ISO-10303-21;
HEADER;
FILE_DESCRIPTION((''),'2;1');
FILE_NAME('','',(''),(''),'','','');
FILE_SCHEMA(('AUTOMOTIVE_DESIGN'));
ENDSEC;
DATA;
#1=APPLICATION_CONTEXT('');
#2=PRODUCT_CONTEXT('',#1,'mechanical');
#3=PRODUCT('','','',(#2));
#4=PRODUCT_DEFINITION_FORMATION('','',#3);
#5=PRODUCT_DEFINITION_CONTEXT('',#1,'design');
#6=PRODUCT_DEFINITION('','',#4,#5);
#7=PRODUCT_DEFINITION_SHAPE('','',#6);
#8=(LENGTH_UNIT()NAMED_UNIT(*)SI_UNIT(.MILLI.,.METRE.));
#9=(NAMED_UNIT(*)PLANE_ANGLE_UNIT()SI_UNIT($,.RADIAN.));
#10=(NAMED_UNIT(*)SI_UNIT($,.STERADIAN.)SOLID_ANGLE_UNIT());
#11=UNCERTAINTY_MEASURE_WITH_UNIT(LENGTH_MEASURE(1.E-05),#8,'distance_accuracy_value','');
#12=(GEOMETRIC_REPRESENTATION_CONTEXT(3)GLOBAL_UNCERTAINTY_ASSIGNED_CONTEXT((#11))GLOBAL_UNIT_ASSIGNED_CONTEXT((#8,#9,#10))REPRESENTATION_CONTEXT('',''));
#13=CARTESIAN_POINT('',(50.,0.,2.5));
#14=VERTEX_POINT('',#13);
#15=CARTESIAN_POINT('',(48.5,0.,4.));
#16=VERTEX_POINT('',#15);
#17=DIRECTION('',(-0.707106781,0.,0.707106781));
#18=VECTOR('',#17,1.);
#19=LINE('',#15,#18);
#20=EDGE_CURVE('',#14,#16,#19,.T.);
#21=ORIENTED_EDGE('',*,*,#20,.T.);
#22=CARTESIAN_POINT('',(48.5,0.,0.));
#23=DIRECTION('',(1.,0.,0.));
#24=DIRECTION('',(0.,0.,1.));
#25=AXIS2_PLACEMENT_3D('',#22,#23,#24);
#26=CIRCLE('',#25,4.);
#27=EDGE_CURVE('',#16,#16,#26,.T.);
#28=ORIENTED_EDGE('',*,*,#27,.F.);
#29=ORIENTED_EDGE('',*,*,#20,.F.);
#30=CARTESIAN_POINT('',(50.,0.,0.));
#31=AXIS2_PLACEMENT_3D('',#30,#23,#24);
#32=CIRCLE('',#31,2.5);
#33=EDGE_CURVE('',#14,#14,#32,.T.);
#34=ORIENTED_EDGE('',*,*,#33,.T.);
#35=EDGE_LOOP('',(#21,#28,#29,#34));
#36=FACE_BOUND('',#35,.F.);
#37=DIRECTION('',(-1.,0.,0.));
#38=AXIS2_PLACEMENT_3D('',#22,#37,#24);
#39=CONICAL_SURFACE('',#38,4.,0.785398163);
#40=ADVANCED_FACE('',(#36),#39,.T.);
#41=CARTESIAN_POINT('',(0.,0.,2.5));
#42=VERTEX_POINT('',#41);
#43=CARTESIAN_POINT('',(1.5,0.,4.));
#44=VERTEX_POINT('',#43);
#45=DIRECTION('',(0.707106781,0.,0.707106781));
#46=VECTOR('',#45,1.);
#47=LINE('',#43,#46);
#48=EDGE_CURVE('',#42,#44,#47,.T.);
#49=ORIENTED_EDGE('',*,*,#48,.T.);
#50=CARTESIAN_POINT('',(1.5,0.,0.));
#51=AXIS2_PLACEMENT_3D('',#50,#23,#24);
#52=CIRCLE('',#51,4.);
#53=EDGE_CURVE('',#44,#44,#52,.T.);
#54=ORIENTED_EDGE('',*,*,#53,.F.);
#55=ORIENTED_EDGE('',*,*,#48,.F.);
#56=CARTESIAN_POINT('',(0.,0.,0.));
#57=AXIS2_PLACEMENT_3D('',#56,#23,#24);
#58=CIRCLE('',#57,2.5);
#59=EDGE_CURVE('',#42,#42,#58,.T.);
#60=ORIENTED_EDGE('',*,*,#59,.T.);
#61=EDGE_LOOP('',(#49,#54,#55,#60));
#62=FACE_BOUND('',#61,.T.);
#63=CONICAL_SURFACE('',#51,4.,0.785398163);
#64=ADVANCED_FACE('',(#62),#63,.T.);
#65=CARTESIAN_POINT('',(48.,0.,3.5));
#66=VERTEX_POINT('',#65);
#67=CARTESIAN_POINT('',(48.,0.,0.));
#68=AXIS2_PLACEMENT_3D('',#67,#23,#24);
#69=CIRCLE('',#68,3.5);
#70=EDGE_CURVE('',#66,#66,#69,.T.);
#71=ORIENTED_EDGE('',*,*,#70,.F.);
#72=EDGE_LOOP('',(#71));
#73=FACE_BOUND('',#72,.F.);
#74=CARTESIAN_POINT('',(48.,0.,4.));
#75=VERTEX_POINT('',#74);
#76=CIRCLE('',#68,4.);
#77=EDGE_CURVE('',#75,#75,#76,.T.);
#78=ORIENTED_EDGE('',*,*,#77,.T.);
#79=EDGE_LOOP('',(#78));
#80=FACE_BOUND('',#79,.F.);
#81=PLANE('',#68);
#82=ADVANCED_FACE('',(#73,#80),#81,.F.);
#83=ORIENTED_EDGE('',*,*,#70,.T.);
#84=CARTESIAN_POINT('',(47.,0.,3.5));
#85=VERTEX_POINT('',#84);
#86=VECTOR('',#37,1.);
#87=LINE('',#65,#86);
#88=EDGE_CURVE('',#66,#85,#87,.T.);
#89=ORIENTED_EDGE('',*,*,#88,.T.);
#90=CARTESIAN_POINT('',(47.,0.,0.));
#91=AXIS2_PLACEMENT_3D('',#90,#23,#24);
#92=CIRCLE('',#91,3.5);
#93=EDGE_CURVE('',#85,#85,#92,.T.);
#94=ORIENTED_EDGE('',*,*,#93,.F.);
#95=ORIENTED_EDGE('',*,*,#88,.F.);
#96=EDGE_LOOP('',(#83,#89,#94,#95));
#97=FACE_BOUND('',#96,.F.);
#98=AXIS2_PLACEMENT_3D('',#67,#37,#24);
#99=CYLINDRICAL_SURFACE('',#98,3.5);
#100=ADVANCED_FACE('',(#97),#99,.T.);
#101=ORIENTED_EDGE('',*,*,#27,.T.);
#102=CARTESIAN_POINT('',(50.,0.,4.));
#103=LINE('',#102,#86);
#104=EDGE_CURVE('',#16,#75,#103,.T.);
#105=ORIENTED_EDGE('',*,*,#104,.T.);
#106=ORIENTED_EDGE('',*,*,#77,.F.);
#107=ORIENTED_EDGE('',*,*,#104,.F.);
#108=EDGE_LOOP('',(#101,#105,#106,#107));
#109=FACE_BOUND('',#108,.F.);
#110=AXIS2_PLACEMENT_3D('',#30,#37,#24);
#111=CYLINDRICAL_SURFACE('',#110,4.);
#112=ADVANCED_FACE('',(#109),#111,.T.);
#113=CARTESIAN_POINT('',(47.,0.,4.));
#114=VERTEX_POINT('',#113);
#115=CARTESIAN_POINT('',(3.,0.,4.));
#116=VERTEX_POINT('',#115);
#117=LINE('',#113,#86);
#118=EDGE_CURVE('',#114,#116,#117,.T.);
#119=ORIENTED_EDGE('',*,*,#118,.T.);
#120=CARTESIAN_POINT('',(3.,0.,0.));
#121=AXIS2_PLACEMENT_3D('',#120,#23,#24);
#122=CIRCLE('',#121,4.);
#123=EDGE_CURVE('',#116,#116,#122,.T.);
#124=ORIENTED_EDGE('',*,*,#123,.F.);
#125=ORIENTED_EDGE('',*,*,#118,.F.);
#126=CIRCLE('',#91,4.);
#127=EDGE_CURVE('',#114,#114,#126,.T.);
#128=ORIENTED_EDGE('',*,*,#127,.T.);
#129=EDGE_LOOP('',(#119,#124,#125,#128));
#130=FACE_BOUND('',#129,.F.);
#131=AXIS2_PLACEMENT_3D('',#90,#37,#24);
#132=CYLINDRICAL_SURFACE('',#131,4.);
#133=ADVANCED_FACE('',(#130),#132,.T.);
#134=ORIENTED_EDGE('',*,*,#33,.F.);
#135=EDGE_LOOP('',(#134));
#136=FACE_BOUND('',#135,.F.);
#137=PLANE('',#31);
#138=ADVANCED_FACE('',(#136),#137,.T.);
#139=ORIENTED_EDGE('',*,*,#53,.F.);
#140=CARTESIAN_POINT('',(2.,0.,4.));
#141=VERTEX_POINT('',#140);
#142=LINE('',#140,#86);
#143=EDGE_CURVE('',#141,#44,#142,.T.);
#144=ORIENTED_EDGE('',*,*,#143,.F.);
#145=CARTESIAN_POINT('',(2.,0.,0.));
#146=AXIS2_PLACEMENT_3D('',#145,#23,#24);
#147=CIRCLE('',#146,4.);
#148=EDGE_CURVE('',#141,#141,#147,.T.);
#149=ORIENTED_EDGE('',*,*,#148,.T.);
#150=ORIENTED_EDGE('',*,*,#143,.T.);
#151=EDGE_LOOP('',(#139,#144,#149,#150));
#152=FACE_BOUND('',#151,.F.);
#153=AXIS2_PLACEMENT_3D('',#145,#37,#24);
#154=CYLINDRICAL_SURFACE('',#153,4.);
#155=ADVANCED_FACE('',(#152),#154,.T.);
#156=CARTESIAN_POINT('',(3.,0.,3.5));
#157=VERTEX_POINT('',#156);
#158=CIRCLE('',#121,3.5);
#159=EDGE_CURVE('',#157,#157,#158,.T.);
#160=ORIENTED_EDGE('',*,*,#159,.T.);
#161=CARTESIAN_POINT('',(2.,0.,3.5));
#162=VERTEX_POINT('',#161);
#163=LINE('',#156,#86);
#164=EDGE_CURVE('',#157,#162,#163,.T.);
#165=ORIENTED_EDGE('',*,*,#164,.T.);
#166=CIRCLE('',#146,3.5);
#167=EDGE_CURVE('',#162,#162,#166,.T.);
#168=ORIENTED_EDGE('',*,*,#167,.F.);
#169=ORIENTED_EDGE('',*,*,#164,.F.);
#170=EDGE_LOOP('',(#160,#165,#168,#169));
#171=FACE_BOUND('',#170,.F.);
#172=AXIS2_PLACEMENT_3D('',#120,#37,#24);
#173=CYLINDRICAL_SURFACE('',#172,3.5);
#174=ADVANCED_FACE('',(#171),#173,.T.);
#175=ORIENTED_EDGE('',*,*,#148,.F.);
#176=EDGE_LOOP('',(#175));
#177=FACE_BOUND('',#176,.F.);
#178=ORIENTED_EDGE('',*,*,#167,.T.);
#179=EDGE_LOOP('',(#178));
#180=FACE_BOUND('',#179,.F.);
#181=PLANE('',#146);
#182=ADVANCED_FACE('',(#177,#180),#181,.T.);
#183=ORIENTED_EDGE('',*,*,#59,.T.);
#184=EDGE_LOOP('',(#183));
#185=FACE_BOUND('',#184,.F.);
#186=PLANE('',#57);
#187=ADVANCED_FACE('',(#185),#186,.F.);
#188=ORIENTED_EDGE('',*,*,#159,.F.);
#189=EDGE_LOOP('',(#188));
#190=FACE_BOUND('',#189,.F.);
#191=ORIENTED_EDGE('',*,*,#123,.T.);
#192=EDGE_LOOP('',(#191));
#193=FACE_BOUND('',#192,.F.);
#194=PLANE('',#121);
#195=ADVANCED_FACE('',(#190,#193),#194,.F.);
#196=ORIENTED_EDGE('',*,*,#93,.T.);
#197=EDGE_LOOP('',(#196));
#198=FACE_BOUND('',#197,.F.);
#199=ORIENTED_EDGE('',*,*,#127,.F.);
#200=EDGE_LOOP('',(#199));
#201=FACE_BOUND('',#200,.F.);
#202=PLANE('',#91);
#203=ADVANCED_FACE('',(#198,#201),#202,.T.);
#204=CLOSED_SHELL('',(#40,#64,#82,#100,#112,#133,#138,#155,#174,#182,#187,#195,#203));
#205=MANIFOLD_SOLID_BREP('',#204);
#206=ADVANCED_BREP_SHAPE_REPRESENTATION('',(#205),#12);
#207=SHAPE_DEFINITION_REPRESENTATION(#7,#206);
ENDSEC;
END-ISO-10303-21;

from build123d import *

# Parameters (mm, degrees)
F2_SIZE = 1.5


with BuildPart() as f1:
    # F0 (on Front) → F1 (revolve)
    with BuildSketch(Plane.XZ):
        Polygon((0, 4), (0, 0), (25, 0), (25, 4), (3, 4), (3, 3.5), (2, 3.5), (2, 4), align=None)
        Polygon((25, 4), (25, 0), (50, 0), (50, 4), (48, 4), (48, 3.5), (47, 3.5), (47, 4), align=None)
    revolve(axis=Axis((12.5, 0, 0), (1, 0, 0)))

    # F2
    f2_edges = [f1.edges().sort_by_distance(p)[0] for p in [
        (50, 0, -4),
        (0, 0, -4),
    ]]
    chamfer(f2_edges, length=F2_SIZE)


solid = f1.part
